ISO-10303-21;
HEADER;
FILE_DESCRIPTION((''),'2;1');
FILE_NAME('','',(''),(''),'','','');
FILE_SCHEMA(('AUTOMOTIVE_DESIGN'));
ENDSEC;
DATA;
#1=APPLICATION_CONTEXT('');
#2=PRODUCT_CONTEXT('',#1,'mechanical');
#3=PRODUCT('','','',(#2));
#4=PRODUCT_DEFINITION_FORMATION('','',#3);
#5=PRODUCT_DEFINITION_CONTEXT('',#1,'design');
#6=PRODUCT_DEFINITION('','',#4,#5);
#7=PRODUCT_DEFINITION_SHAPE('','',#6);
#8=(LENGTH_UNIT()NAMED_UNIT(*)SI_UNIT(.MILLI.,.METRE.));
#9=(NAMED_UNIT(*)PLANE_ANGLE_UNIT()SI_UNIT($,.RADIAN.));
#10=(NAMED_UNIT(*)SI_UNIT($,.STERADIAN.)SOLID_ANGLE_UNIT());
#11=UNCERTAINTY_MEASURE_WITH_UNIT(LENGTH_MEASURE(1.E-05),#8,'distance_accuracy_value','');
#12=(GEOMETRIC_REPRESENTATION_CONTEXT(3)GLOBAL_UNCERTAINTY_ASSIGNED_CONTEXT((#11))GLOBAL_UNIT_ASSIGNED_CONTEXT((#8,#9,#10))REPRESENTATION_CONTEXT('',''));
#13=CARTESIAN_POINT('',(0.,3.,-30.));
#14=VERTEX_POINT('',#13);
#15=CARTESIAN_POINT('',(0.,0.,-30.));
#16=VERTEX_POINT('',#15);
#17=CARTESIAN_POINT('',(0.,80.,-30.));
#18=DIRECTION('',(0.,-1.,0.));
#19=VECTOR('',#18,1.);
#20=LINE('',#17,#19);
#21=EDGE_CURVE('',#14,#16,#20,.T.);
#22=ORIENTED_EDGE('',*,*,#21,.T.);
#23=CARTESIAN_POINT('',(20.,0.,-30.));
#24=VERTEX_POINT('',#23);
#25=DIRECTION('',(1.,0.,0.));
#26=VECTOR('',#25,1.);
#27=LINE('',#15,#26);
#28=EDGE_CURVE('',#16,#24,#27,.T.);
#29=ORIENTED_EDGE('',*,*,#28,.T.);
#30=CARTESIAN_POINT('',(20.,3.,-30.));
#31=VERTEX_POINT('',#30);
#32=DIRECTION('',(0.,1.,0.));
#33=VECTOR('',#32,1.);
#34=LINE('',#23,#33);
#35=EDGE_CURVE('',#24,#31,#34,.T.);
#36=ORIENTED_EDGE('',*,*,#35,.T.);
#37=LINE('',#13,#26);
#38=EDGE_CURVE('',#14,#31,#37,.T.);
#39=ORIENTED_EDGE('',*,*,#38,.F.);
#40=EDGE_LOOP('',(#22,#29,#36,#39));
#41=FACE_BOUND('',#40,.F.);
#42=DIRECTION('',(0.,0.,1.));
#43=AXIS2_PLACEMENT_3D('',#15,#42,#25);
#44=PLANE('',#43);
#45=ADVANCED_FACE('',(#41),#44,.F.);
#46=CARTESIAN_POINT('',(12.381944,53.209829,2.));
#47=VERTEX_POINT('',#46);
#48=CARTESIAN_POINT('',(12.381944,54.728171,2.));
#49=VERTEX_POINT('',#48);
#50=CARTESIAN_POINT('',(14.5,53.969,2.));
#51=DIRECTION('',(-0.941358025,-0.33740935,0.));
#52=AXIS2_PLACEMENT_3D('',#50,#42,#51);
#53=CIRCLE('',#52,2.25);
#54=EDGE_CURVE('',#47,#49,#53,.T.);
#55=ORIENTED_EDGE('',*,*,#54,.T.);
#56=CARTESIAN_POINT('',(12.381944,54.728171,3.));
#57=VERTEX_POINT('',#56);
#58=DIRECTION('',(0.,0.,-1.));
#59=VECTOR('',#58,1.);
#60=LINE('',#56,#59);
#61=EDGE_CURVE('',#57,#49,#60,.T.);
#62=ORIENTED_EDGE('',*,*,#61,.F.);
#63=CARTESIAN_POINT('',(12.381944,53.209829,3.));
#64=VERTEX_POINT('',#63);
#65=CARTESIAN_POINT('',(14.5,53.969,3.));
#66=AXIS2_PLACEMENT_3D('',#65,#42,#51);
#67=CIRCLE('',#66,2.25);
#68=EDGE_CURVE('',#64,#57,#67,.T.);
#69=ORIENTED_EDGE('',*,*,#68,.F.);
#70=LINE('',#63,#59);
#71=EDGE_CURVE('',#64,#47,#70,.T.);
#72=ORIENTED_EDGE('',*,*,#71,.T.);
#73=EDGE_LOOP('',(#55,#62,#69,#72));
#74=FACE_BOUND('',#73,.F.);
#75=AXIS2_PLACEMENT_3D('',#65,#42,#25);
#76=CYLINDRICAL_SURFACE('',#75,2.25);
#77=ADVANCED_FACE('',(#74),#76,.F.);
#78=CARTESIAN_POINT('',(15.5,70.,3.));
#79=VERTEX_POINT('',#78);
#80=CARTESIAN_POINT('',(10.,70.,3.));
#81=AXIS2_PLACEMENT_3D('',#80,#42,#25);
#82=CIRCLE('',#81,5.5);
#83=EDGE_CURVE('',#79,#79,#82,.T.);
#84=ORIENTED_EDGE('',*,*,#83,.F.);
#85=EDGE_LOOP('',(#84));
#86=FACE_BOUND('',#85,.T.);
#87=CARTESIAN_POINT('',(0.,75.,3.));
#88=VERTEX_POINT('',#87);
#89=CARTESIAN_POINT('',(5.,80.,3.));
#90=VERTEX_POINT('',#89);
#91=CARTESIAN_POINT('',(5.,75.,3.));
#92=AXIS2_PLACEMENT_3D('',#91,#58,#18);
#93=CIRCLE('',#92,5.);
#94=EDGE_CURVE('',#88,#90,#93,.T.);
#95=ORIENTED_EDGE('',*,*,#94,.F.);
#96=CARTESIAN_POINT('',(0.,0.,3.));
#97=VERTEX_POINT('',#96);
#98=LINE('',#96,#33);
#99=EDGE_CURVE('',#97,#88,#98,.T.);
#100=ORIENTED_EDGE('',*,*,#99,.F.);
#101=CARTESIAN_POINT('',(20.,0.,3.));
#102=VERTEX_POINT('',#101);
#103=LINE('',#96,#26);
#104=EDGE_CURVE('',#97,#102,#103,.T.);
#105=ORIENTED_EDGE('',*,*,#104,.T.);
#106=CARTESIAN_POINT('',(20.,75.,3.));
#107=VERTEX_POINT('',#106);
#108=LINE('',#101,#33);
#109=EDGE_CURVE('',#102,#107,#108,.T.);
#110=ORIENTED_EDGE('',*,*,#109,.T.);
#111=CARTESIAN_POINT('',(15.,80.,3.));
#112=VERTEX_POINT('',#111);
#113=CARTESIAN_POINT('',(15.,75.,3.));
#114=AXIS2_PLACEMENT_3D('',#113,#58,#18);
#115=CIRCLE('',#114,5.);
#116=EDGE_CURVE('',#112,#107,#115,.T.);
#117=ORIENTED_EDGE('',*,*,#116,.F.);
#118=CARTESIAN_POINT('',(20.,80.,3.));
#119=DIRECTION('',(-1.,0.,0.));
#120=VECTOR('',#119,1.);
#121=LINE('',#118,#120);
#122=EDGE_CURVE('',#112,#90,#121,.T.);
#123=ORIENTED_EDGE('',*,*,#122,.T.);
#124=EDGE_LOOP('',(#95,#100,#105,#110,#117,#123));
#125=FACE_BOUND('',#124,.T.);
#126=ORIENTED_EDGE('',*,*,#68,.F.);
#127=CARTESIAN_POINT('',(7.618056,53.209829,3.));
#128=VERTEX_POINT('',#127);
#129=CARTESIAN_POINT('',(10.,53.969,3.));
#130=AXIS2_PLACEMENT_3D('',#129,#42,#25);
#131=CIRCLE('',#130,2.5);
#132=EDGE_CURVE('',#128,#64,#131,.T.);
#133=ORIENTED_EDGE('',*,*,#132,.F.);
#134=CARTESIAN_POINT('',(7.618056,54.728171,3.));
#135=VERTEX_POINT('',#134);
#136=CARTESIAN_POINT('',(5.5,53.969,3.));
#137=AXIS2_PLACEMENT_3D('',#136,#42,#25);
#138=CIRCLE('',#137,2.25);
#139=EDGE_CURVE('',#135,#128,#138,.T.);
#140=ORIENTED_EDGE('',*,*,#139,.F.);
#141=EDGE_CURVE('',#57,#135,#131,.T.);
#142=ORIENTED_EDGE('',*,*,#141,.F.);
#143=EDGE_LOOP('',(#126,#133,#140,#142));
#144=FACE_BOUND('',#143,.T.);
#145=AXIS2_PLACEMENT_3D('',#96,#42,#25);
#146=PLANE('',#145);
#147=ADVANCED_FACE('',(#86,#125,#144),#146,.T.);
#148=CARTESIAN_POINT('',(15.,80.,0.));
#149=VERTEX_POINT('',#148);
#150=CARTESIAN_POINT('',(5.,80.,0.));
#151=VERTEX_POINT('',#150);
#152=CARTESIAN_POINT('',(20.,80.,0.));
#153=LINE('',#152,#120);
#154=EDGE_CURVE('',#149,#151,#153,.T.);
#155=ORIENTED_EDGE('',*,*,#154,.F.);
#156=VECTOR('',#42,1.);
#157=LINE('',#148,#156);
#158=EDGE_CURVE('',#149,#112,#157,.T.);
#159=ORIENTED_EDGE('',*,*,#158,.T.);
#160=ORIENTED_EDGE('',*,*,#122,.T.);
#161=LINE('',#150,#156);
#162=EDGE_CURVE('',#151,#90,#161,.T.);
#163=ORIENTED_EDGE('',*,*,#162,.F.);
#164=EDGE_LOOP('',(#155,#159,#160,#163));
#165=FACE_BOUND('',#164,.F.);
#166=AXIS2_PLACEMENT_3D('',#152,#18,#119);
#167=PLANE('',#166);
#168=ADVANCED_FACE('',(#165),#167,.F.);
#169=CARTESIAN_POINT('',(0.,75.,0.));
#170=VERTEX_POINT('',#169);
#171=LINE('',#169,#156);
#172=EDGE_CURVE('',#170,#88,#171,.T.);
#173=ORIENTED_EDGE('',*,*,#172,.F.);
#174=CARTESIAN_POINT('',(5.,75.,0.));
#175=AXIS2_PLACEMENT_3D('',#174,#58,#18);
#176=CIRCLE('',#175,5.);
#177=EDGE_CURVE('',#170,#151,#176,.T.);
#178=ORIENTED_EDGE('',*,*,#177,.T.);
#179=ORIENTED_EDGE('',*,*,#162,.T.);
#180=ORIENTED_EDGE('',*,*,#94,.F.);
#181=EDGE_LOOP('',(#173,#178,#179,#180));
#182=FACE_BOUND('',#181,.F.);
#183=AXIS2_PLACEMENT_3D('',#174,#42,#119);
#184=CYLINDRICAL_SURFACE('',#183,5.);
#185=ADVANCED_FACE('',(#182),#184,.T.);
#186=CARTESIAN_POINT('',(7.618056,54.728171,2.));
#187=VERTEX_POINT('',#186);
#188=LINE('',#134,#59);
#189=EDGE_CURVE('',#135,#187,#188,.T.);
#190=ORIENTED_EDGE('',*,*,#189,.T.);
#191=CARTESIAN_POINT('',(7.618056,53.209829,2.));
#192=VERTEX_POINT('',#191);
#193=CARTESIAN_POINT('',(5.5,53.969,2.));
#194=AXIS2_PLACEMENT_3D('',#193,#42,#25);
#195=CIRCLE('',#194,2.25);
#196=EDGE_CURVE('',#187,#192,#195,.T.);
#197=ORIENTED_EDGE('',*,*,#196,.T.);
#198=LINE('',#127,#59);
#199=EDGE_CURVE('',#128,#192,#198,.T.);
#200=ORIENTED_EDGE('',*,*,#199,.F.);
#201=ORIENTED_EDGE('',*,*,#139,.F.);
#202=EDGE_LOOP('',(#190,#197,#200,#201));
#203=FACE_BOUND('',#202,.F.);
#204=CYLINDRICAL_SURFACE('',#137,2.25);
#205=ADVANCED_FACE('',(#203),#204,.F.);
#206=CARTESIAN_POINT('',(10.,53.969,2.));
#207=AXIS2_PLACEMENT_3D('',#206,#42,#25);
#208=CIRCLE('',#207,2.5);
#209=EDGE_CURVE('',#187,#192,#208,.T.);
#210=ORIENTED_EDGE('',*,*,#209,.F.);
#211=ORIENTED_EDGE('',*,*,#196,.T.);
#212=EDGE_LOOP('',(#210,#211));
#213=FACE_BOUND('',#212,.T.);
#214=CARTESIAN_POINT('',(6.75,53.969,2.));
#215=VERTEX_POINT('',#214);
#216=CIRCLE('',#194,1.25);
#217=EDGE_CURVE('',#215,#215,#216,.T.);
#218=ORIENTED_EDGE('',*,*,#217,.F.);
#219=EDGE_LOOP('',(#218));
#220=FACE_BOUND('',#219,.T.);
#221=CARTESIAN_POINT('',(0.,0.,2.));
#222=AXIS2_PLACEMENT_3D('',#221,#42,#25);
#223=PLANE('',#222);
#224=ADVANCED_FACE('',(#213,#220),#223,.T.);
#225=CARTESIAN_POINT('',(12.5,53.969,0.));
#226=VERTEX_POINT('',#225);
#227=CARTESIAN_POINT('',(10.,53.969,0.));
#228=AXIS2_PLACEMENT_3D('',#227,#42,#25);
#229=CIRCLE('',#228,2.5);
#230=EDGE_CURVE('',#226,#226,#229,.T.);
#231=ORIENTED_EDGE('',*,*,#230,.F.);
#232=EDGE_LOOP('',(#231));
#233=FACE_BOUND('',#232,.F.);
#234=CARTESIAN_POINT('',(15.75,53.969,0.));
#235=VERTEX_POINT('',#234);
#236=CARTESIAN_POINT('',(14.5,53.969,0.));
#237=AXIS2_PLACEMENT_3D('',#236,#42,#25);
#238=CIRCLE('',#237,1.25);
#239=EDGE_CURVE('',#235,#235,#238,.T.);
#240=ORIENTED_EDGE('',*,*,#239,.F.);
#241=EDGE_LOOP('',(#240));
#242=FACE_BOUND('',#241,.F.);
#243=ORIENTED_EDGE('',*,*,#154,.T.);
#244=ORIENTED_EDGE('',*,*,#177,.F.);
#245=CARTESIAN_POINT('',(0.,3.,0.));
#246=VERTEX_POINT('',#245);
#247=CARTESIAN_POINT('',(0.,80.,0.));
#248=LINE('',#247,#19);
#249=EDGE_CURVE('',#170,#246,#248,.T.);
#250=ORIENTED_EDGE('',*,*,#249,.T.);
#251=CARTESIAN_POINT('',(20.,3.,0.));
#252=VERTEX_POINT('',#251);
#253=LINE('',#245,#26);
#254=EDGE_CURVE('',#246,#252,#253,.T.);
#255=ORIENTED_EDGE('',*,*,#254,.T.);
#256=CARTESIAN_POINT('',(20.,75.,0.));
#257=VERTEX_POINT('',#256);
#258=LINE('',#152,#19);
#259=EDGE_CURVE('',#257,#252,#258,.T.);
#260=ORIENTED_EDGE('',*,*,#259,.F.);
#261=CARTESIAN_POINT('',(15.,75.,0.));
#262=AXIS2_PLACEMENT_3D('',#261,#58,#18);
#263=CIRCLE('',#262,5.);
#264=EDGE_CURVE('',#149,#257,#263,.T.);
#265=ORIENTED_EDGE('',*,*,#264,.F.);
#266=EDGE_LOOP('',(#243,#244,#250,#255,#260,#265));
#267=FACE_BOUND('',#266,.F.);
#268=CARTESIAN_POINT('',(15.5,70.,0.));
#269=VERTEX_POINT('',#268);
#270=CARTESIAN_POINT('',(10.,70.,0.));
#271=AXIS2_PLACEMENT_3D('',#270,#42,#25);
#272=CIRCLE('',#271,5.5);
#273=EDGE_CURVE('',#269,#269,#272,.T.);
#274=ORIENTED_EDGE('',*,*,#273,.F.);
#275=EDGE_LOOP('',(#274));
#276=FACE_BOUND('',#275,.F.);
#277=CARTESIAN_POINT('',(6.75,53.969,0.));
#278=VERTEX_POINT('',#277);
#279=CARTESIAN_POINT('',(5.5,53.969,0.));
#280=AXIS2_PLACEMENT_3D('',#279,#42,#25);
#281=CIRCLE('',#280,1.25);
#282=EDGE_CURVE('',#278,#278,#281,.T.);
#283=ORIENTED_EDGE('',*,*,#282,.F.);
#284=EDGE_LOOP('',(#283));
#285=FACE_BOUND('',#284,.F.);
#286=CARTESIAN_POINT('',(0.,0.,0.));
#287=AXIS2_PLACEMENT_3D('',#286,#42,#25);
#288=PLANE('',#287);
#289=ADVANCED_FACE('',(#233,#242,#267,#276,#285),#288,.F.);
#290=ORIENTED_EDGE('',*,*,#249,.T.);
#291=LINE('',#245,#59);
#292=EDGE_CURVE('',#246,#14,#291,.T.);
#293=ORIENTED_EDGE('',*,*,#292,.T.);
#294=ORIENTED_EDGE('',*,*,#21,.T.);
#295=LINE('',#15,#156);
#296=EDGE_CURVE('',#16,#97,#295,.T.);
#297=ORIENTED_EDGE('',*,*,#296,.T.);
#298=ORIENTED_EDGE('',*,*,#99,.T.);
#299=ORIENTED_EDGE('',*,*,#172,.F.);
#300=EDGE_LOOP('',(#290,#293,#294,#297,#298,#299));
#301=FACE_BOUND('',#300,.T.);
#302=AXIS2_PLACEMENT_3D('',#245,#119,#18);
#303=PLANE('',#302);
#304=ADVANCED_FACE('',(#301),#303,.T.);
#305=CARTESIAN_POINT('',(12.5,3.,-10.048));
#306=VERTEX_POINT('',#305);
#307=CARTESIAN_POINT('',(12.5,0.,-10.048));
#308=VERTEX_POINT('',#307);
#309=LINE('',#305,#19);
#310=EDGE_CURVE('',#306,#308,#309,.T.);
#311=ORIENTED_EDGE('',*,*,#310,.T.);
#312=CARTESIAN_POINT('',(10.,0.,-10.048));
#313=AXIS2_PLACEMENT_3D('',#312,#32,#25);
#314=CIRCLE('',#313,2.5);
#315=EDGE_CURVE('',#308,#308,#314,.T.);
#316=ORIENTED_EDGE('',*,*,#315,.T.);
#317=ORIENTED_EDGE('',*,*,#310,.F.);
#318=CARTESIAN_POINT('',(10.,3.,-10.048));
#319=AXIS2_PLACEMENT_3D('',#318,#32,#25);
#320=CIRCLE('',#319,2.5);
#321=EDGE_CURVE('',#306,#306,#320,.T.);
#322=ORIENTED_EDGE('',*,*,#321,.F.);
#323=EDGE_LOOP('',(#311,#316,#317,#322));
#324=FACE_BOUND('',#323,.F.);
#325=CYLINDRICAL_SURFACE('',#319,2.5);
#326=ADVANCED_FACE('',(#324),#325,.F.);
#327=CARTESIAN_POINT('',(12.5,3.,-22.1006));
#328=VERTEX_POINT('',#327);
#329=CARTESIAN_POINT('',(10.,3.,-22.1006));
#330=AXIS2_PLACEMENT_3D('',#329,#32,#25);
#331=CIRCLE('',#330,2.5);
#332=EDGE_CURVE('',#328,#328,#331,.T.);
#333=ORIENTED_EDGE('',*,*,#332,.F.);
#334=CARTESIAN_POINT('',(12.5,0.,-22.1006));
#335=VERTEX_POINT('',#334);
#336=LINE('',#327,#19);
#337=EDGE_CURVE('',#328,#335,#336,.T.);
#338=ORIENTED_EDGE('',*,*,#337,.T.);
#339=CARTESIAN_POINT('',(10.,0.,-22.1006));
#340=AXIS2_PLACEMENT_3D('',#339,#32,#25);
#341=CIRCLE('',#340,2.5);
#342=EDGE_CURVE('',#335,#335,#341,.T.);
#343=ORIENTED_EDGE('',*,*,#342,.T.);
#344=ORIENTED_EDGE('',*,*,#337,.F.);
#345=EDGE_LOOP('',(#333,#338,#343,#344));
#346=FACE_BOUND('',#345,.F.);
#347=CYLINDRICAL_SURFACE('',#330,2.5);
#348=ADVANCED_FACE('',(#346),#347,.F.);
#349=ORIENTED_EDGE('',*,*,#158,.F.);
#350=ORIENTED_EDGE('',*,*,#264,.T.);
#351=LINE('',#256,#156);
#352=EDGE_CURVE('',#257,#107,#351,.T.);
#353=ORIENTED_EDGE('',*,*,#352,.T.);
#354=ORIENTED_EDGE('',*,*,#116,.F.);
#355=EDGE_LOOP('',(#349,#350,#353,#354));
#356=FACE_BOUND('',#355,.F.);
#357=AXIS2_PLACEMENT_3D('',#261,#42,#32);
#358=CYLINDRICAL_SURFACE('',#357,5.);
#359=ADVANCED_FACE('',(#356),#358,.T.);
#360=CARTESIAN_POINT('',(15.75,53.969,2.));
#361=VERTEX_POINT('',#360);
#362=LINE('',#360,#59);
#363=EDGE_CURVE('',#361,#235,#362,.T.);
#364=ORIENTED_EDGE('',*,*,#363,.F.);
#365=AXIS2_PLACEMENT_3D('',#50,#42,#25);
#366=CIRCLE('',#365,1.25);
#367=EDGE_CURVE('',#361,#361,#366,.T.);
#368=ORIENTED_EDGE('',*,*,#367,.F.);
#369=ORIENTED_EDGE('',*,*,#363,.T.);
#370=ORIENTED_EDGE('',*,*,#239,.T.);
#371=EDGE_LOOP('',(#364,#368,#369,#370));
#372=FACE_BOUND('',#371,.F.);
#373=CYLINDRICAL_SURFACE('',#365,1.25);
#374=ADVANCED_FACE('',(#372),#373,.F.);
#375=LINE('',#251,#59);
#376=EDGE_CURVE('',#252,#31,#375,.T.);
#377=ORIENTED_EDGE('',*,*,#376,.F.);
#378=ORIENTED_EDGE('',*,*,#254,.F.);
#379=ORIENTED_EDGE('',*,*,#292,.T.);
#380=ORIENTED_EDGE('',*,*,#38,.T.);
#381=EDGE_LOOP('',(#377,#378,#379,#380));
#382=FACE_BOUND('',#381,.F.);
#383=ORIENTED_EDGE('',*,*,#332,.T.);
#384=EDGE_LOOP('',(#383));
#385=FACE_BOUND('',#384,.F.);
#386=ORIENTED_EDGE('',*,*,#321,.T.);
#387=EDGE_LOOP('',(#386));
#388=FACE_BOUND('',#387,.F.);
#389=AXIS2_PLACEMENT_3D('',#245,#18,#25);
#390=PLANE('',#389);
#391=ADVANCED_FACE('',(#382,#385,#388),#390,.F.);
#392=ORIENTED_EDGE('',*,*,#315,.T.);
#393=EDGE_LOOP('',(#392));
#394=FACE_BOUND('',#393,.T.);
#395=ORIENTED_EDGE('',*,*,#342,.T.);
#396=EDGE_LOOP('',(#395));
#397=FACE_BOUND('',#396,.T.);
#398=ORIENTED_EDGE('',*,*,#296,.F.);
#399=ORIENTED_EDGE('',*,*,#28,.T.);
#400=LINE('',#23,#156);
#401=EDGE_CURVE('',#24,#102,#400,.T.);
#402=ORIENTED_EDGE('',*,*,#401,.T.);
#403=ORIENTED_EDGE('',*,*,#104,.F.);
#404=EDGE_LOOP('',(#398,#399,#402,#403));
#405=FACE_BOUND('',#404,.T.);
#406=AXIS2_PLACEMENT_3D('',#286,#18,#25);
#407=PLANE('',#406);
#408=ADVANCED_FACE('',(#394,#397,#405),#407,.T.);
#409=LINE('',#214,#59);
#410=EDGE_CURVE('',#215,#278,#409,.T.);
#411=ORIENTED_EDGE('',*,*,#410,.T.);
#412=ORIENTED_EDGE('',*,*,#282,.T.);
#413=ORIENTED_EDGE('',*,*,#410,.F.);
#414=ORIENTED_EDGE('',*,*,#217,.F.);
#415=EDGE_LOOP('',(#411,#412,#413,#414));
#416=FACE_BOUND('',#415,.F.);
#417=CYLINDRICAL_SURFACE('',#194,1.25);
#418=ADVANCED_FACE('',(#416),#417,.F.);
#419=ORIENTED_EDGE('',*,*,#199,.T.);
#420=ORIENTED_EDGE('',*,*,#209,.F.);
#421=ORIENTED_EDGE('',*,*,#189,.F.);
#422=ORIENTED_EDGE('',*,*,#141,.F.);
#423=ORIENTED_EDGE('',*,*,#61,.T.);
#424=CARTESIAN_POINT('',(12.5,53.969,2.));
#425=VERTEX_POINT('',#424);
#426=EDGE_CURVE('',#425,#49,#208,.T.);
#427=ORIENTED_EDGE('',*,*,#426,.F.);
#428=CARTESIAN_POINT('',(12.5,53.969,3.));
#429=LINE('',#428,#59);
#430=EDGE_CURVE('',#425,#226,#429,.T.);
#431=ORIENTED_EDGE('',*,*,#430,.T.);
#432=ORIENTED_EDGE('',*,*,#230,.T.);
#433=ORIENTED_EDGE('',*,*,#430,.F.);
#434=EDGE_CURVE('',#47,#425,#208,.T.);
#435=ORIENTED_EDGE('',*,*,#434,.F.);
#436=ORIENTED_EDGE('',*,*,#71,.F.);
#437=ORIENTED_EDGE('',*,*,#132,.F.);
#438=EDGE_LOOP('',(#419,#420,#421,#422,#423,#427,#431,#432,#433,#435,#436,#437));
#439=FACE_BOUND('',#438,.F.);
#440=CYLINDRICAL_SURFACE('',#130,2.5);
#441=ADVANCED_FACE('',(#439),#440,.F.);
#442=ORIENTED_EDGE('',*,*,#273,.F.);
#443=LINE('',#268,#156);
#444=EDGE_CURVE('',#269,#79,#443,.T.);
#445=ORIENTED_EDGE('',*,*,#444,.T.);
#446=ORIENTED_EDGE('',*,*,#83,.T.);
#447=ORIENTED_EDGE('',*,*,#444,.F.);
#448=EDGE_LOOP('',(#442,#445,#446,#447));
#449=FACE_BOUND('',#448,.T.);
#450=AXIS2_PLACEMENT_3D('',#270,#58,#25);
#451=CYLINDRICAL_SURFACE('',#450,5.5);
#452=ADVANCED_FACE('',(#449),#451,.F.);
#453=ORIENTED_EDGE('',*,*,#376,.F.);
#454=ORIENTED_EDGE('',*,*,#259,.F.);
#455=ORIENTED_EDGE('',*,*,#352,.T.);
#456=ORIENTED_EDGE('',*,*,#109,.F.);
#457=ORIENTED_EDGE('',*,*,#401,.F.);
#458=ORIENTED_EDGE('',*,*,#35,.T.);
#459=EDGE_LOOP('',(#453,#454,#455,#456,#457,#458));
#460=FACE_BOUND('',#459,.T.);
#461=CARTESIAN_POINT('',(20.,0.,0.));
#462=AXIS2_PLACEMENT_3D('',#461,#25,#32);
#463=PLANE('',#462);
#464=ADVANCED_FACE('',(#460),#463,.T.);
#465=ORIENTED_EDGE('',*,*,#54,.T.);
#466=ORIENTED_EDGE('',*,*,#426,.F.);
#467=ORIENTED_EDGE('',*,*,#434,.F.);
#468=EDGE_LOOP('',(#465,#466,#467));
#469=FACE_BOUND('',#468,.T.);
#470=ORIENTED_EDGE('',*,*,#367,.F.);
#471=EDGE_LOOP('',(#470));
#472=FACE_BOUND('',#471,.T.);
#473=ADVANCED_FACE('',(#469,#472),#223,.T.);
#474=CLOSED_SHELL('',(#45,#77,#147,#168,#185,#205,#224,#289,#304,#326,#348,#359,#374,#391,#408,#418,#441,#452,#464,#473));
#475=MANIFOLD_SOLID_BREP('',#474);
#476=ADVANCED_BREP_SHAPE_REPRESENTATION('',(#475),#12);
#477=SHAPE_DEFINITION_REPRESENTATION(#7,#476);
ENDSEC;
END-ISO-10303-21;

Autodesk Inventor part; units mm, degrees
ref_plane "YZ Plane" through (0, 0, 0) normal (1, 0, 0) x (0, 1, 0)
ref_plane "XZ Plane" through (0, 0, 0) normal (0, 1, 0) x (-1, 0, 0)
ref_plane "XY Plane" through (0, 0, 0) normal (0, 0, 1) x (1, 0, 0)
sketch "Sketch1" plane through (0, 0, 0) normal (0, 0, 1) x (1, 0, 0)
  line L0 (0, 0) -> (20, 0)
  line L1 (20, 0) -> (20, 80)
  line L2 (20, 80) -> (0, 80)
  line L3 (0, 80) -> (0, 0)
  circle A0 centre (10, 70) radius 5.5
  line L4 (20, 0) -> (0, 0)
  line L5 (0, 0) -> (0, 3)
  line L6 (0, 3) -> (20, 3)
  line L7 (20, 3) -> (20, 0)
  point P0 (10, 0)
  dimension "d0" = 20
  dimension "d1" = 80
  dimension "d2" = 11
  dimension "d3" = 70
  dimension "d7" = 3
extrude "Extrusion1" add sketch "Sketch1" along normal blind 3
fillet "Fillet1" radius 5 2 edges at (20, 80, 1.5) (0, 80, 1.5)
extrude "Extrusion2" add sketch "Sketch1" against normal blind 30 contours L3 L6 L1 L0
sketch "Sketch2" plane through (0, 3, 0) normal (0, 1, 0) x (1, 0, 0)
  circle A0 centre (10, 22.1006) radius 2.5
  circle A1 centre (10, 10.048) radius 2.5
  point P0 (0, 0)
  dimension "d10" = 5
  dimension "d11" = 5
extrude "Extrusion3" cut sketch "Sketch2" against normal through all
extrude "Extrusion4" cut sketch "Sketch1" along normal blind 10 contours A0
extrude "Extrusion5" cut sketch "Sketch1" along normal blind 10 contours A0
sketch "Sketch3" plane through (0, 0, 3) normal (0, 0, 1) x (1, 0, 0)
  circle A0 centre (10, 53.969) radius 2.5
  circle A1 centre (10, 70) radius 5.5 projected
  circle A2 centre (14.5, 53.969) radius 2.25
  circle A3 centre (5.5, 53.969) radius 2.25
  point P0 (0, 0)
  point P1 (7.6181, 54.7282)
  point P2 (7.6181, 53.2098)
  point P3 (12.3819, 53.2098)
  point P4 (12.3819, 54.7282)
  dimension "d18" = 5
  dimension "d19" = 16.031
  dimension "d20" = 4.5
  dimension "d21" = 4.5
  dimension "d22" = 4.5
  dimension "d23" = 4.5
extrude "Extrusion6" cut sketch "Sketch3" against normal blind 1 contours A0 A2 | A0 A2 | A2 A0 A3 | A3 A0 | A0 A3
extrude "Extrusion7" cut sketch "Sketch3" against normal through all contours A0 A2 | A2 A0 A3 | A3 A0 picked at (12.3432, 53.969) picked at (7.5921, 53.969)
sketch "Sketch4" plane through (0, 0, 2) normal (0, 0, 1) x (1, 0, 0)
  arc A0 (7.6181, 54.7282) -> (7.6181, 53.2098) centre (5.5, 53.969) ccw projected
  circle A1 centre (5.5, 53.969) radius 1.25
  arc A2 (12.3819, 53.2098) -> (12.3819, 54.7282) centre (14.5, 53.969) ccw projected
  circle A3 centre (14.5, 53.969) radius 1.25
  point P0 (0, 0)
  dimension "d28" = 2.5
  dimension "d29" = 2.5
extrude "Extrusion8" cut sketch "Sketch4" against normal through all
properties part number "roll stand 1"
